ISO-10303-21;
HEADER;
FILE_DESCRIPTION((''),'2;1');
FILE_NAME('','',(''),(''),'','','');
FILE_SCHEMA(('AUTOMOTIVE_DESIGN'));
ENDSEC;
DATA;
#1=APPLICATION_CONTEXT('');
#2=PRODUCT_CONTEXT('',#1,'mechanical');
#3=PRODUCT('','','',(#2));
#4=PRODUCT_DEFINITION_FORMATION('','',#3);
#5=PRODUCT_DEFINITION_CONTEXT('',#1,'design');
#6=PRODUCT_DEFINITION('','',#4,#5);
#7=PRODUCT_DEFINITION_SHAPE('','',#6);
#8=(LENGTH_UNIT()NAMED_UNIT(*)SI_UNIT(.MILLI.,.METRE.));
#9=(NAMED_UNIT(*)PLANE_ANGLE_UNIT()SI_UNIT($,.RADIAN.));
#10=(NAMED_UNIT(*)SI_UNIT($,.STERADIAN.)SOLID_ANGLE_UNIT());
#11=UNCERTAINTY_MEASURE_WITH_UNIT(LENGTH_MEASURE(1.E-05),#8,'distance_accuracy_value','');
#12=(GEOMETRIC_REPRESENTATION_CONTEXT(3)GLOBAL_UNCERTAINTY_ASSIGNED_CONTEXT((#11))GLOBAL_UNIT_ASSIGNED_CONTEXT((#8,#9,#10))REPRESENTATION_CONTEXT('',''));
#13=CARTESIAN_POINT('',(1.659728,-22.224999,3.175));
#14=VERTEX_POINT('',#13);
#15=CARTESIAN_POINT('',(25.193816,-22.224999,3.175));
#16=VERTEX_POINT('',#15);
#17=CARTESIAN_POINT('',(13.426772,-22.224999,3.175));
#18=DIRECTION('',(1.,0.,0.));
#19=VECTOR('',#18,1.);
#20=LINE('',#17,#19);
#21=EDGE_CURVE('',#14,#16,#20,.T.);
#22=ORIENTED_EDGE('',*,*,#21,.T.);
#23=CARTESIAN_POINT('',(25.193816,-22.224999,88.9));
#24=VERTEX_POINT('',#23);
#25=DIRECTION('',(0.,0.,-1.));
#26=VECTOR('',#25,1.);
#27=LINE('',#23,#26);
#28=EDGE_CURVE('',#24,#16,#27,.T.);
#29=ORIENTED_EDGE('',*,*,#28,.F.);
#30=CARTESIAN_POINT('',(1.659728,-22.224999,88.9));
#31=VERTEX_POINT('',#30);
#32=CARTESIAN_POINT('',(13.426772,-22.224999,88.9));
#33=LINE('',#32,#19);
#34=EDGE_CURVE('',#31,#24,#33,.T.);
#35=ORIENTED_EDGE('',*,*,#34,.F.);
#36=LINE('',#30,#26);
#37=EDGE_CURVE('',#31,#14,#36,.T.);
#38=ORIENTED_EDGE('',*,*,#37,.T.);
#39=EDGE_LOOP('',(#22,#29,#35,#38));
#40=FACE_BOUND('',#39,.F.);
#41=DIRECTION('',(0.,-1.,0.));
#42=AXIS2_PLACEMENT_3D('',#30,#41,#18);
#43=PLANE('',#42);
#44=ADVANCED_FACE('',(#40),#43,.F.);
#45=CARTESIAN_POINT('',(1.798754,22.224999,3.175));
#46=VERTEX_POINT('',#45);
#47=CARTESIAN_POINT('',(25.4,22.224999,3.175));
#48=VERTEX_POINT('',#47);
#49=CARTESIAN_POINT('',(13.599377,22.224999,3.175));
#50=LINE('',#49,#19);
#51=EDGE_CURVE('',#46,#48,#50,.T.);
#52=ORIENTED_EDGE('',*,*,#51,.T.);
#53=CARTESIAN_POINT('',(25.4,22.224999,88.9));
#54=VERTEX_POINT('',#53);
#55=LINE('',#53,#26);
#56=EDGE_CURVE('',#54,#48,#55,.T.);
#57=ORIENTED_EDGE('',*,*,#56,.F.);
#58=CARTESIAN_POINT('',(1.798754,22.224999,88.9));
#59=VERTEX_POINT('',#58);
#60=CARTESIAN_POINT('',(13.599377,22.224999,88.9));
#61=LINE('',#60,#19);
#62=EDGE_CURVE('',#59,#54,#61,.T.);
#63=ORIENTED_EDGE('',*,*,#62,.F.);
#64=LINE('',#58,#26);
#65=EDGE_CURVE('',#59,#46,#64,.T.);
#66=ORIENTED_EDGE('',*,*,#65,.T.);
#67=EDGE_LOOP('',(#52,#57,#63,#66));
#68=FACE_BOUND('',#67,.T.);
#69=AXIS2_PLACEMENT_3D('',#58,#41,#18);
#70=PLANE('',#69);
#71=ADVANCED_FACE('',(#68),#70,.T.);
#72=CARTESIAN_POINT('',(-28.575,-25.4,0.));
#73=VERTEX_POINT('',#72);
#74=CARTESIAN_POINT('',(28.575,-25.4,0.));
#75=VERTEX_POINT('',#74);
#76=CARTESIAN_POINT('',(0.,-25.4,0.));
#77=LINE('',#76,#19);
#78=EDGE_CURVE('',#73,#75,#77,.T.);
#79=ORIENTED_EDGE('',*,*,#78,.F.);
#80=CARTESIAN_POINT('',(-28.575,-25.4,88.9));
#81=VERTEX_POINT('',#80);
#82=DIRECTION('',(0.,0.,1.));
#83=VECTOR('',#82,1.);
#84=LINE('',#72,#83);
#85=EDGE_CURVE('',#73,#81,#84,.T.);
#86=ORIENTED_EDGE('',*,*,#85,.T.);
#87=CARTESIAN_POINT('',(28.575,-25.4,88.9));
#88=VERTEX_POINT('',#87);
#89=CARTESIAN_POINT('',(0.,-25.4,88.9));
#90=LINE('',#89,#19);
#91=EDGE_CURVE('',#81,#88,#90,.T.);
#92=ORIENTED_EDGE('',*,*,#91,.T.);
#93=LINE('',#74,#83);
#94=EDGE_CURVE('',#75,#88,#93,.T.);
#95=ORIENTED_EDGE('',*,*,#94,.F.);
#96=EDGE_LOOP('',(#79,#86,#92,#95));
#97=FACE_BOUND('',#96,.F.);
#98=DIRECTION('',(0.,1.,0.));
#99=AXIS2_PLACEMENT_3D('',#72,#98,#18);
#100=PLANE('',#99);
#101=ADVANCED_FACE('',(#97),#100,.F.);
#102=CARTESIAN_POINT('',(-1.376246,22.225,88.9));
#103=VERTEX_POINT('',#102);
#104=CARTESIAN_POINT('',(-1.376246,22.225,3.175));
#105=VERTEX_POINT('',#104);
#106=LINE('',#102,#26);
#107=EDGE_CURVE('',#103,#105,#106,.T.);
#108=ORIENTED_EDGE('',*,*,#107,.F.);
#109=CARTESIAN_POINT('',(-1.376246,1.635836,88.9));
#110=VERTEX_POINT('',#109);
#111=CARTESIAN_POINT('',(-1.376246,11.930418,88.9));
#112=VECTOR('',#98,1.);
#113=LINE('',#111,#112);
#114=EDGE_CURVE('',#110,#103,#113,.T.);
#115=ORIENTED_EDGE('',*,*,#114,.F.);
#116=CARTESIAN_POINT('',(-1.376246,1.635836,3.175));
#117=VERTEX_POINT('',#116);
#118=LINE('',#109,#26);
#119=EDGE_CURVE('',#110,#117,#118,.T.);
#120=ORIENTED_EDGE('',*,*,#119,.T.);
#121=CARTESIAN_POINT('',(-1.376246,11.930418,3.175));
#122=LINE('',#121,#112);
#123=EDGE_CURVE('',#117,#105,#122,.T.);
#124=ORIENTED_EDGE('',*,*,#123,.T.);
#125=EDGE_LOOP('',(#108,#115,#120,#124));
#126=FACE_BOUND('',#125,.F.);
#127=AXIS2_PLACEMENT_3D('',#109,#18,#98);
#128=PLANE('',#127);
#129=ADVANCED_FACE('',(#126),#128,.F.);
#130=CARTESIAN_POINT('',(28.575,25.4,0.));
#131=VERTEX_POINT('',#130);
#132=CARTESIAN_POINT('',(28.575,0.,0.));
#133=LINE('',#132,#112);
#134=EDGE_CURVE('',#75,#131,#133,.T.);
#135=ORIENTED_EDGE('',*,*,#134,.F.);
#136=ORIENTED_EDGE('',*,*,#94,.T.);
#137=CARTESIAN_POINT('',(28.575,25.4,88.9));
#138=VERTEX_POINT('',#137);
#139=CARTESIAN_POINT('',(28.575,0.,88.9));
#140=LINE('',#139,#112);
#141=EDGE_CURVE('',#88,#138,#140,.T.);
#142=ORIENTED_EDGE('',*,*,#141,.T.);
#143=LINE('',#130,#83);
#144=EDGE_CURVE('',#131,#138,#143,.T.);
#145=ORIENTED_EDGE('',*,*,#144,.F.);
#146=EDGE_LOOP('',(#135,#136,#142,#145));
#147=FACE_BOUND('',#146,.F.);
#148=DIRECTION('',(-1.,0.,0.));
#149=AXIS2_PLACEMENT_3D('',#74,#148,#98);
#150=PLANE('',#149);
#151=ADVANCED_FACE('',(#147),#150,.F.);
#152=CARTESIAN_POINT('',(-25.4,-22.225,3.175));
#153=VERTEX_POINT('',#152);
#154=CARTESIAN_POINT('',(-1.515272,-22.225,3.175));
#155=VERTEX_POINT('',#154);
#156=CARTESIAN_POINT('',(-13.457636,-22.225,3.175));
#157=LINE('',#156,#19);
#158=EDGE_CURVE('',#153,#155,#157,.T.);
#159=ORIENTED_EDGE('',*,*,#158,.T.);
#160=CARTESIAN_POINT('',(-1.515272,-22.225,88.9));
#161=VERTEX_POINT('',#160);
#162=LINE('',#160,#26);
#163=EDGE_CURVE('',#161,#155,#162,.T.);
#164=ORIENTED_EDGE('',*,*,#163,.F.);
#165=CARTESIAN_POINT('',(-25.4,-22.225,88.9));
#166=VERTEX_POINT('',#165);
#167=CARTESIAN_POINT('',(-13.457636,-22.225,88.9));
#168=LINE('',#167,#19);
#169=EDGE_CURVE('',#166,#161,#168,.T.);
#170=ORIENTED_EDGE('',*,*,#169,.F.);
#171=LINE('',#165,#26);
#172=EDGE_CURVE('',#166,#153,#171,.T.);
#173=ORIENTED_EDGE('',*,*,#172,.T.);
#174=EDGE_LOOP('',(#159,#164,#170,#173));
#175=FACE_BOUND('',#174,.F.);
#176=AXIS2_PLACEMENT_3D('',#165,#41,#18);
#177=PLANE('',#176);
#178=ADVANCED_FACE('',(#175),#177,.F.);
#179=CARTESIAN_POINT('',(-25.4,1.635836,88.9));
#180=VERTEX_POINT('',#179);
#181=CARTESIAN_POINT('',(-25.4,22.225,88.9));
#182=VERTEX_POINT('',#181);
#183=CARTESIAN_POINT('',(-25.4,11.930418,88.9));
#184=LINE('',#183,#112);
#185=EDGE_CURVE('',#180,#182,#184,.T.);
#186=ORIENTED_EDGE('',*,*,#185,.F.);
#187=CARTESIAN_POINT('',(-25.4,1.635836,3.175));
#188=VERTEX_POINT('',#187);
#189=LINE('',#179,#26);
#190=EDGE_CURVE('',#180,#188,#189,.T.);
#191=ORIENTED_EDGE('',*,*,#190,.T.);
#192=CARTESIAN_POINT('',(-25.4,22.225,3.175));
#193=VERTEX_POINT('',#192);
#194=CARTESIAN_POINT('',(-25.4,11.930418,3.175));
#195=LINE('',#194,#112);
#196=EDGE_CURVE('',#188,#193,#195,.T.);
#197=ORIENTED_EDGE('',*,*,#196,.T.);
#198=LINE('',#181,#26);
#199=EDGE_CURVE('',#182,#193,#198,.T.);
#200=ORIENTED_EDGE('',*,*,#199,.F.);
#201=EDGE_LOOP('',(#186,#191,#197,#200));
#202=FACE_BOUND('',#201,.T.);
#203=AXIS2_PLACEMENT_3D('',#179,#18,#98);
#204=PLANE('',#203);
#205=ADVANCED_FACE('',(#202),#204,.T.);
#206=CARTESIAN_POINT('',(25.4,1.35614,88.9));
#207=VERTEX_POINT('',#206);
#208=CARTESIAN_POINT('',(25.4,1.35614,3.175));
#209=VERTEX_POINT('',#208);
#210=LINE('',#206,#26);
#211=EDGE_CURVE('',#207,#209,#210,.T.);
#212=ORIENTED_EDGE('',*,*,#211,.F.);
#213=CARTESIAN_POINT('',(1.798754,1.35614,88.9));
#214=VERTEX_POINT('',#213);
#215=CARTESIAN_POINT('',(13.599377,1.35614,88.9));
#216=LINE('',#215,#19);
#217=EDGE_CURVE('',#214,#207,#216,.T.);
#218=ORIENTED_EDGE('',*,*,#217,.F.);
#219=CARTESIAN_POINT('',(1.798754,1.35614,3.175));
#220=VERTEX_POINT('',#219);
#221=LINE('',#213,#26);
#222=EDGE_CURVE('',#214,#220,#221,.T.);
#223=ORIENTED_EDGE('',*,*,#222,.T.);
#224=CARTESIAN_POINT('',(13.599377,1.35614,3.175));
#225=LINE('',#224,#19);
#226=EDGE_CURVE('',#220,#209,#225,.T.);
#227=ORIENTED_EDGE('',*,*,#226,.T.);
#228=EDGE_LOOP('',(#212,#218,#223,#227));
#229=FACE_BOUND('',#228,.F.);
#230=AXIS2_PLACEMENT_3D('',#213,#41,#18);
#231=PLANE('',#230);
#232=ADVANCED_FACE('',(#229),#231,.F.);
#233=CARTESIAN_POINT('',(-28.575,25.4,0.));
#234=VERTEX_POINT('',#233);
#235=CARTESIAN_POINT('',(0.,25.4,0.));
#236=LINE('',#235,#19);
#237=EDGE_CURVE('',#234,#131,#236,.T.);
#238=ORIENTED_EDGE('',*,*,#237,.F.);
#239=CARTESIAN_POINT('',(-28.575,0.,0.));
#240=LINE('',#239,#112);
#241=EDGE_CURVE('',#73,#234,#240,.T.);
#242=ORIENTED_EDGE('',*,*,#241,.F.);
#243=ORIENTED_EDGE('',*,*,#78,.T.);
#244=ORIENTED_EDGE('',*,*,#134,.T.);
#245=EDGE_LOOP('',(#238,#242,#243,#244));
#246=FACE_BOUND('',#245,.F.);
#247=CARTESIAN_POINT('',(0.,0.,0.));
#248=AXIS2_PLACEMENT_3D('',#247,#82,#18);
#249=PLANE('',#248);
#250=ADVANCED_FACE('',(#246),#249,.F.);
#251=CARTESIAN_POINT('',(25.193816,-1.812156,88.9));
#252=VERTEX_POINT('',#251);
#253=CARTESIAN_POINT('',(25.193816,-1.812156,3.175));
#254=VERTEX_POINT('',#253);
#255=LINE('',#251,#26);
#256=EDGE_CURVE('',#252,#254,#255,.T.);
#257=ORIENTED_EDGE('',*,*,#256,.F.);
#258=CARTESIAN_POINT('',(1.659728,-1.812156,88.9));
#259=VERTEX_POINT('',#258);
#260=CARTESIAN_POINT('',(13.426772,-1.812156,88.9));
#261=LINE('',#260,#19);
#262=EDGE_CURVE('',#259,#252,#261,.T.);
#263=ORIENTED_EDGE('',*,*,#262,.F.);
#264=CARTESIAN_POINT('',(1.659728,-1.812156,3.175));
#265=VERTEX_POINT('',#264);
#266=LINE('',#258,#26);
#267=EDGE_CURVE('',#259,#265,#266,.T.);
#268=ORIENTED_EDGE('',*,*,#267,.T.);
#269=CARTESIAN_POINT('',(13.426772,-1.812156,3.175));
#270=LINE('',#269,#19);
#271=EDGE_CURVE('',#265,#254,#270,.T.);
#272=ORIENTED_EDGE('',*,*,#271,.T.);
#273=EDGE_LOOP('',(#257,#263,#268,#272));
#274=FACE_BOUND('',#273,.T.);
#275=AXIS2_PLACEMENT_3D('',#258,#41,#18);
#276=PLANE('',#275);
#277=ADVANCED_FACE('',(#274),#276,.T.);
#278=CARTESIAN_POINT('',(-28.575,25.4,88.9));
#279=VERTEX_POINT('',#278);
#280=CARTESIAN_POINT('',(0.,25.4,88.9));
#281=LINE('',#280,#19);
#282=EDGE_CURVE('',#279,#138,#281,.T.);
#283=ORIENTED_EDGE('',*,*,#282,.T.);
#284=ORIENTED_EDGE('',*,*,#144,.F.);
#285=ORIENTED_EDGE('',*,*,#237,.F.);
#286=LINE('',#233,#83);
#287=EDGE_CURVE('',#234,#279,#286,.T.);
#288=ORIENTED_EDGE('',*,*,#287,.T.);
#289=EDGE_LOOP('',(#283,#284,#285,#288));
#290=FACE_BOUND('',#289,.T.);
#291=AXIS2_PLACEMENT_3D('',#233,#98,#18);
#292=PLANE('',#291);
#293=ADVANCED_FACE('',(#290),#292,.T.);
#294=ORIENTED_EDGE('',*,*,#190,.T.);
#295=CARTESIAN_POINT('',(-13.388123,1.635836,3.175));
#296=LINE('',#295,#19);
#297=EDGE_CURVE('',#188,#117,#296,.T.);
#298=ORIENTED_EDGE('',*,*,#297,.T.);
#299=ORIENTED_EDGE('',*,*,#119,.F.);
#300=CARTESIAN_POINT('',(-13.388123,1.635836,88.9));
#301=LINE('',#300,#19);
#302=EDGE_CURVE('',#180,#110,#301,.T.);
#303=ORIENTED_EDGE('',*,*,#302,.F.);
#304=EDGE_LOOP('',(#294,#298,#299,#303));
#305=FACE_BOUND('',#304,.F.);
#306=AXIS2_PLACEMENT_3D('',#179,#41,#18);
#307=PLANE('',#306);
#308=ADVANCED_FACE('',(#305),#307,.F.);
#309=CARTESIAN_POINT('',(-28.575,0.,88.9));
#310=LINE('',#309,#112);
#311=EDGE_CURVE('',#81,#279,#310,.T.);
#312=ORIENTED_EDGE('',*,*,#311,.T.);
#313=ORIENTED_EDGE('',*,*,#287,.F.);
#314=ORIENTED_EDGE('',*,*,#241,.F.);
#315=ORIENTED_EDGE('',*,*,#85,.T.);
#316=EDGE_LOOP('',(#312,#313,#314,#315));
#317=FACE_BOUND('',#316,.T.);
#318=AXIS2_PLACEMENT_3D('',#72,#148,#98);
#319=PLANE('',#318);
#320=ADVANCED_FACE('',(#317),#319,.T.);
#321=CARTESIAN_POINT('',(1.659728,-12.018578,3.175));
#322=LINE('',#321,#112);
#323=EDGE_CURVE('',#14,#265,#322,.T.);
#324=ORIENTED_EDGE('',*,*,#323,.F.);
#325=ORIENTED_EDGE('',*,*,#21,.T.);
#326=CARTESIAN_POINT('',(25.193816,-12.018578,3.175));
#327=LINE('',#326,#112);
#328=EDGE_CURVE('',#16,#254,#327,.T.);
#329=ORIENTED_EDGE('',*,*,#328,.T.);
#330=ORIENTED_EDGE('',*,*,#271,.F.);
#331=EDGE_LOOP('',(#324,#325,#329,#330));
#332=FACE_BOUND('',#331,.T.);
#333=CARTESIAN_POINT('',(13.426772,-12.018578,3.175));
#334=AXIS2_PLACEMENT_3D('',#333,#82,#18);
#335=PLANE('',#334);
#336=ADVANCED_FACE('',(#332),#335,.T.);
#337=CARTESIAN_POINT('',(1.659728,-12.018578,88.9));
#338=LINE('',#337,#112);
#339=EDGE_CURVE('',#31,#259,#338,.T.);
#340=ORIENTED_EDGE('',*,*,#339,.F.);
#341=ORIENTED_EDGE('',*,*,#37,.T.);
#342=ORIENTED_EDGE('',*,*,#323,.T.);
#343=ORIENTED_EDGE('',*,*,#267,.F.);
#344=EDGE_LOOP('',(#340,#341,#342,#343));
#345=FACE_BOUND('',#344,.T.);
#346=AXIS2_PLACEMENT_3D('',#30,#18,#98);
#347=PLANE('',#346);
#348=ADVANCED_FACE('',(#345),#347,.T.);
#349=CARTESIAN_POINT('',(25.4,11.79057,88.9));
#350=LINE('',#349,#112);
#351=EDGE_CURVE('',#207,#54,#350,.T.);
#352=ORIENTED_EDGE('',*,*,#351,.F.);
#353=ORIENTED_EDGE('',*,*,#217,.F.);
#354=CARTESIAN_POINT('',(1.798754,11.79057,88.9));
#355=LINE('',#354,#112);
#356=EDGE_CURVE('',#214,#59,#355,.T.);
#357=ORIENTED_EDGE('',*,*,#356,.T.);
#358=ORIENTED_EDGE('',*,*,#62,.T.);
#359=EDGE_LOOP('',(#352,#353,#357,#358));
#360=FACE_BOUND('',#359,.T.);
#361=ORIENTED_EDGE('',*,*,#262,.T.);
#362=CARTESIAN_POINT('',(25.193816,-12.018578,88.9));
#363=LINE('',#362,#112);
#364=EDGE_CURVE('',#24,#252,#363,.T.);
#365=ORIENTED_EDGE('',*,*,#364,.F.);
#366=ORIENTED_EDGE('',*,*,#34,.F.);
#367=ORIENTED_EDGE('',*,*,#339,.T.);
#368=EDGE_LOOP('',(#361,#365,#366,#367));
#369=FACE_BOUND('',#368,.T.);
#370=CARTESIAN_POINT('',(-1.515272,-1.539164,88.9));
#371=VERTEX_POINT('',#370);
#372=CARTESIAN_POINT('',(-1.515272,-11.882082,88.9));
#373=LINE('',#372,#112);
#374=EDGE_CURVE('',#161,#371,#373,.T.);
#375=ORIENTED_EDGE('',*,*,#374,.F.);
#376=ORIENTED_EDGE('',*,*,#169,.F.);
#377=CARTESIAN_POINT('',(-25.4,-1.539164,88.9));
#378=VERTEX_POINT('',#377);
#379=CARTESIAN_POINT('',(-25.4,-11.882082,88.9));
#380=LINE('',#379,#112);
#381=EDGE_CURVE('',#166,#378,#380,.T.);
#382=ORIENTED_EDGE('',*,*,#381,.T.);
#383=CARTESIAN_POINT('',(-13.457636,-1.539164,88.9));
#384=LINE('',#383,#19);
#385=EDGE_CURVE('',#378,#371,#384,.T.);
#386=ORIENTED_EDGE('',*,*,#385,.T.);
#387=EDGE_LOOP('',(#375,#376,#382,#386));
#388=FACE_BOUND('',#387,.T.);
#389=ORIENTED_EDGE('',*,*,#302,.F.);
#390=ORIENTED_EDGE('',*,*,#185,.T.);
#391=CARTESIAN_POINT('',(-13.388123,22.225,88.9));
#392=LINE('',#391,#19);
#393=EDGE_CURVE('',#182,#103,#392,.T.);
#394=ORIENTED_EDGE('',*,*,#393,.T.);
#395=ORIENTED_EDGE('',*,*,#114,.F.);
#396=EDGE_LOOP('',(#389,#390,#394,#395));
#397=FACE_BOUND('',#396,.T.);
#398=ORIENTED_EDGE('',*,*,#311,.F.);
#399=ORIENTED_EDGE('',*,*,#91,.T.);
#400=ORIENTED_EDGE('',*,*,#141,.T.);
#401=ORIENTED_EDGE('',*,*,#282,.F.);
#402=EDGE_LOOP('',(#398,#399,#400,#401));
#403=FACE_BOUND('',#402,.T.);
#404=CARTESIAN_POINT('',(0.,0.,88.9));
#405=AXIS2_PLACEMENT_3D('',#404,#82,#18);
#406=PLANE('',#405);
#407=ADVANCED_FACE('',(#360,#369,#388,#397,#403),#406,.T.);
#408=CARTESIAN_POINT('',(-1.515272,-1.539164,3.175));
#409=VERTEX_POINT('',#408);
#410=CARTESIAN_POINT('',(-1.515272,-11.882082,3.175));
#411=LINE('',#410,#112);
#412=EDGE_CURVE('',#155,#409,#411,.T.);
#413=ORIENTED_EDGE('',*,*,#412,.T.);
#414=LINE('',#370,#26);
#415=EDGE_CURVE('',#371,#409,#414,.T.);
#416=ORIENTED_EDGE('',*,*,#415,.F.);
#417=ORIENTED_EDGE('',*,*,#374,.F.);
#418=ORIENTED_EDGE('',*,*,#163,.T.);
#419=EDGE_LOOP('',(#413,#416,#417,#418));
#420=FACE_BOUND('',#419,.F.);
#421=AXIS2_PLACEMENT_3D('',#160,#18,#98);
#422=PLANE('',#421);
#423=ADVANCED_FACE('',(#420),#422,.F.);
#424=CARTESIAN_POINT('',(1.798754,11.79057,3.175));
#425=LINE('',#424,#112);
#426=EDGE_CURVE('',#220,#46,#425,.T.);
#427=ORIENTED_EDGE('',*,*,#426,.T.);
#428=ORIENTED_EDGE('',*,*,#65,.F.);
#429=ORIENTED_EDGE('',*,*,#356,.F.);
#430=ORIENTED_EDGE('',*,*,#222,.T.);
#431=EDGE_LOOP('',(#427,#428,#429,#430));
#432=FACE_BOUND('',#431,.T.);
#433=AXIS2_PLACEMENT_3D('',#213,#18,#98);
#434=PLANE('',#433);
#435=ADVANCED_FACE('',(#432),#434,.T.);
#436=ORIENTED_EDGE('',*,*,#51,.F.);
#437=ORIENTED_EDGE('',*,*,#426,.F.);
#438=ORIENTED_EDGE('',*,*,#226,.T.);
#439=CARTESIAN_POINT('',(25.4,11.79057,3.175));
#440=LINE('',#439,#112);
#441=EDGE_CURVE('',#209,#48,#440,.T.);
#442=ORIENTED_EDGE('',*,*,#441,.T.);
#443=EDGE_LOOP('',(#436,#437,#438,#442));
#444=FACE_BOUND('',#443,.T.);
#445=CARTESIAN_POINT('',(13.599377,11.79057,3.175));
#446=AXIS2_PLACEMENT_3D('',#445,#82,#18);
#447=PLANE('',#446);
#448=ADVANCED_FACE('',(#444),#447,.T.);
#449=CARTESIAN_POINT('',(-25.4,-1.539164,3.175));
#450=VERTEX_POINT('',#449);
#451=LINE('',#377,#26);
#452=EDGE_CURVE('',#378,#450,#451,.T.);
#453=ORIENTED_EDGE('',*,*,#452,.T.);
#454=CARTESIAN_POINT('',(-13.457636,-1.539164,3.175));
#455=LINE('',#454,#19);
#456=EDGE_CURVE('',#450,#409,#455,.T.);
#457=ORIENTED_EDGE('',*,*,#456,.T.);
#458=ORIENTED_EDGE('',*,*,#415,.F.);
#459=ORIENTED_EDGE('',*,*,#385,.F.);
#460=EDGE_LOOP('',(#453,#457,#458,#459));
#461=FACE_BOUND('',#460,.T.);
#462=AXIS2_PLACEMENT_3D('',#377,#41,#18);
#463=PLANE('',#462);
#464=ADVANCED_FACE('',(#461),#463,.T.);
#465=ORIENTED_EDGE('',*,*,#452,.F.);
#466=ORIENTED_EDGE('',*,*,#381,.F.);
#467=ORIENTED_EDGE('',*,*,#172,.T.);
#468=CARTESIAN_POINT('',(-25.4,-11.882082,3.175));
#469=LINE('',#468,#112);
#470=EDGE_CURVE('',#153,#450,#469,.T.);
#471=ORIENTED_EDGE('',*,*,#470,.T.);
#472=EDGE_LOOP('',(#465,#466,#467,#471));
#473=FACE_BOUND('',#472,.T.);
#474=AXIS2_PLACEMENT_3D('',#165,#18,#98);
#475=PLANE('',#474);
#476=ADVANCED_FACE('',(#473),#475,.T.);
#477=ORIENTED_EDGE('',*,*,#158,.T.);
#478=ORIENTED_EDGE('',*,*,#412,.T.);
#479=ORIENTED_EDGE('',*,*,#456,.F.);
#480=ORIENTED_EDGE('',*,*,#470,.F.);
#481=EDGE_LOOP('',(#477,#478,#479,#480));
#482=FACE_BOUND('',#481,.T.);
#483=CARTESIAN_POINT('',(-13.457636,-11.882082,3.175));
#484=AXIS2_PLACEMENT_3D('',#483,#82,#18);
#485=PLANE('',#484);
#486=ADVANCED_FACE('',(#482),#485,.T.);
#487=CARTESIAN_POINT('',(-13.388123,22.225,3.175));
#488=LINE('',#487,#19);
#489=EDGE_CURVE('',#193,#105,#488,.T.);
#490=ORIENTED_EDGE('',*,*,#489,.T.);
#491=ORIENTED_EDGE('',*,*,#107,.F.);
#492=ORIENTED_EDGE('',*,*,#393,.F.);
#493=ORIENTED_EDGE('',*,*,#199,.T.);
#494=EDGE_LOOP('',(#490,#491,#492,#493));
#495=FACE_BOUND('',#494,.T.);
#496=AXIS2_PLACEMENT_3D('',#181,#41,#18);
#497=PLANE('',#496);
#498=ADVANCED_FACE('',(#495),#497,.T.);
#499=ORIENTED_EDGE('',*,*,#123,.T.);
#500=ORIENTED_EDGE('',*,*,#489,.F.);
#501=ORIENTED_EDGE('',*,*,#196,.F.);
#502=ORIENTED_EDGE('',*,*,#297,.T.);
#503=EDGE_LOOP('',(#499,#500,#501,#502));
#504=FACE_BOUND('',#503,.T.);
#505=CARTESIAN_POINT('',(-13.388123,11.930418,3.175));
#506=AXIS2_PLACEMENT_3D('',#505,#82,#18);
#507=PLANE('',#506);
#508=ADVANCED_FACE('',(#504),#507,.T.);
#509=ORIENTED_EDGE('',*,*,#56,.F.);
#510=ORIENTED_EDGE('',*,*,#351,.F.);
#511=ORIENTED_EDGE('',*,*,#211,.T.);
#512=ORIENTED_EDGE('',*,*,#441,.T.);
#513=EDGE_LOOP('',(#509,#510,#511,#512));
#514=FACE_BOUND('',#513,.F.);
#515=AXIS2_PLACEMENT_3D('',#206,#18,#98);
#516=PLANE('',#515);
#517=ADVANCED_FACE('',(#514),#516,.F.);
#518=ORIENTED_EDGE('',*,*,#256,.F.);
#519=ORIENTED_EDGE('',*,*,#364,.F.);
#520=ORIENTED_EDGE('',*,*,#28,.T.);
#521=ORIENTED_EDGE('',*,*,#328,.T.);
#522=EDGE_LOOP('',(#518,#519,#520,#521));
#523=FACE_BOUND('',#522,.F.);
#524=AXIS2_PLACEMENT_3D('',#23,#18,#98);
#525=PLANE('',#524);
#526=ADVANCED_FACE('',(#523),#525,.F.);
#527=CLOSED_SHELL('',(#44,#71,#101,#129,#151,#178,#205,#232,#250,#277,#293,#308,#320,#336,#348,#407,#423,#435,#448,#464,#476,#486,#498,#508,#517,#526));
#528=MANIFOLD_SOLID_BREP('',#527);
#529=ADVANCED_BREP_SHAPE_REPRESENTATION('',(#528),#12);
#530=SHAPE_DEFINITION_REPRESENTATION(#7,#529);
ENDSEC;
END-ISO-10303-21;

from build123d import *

# Parameters (mm, degrees)
F0_W     = 57.15
F0_H     = 50.8
F1_DEPTH = 88.9
F2_W     = 24.023754
F2_H     = 20.589164
F3_DEPTH = 85.725
F2_W_2   = 23.884728
F2_H_2   = 20.685836
F4_DEPTH = 85.725
F2_W_3   = 23.601246
F2_H_3   = 20.868859
F5_DEPTH = 85.725
F2_W_4   = 23.534088
F2_H_4   = 20.412843
F6_DEPTH = 85.725


with BuildPart() as f1:
    # F0 (on Top) → F1 (new body)
    with BuildSketch(Plane.XY):
        Rectangle(F0_W, F0_H)
    extrude(amount=F1_DEPTH)

    # F2 (on face) → F3 (cut)
    with BuildSketch(Plane.XY.offset(88.9)):
        with Locations((-13.388123, 11.930418)):
            Rectangle(F2_W, F2_H)
    extrude(amount=-F3_DEPTH, mode=Mode.SUBTRACT)

    # F2 (on face) → F4 (cut)
    with BuildSketch(Plane.XY.offset(88.9)):
        with Locations((-13.457636, -11.882082)):
            Rectangle(F2_W_2, F2_H_2)
    extrude(amount=-F4_DEPTH, mode=Mode.SUBTRACT)

    # F2 (on face) → F5 (cut)
    with BuildSketch(Plane.XY.offset(88.9)):
        with Locations((13.599377, 11.79057)):
            Rectangle(F2_W_3, F2_H_3)
    extrude(amount=-F5_DEPTH, mode=Mode.SUBTRACT)

    # F2 (on face) → F6 (cut)
    with BuildSketch(Plane.XY.offset(88.9)):
        with Locations((13.426772, -12.018578)):
            Rectangle(F2_W_4, F2_H_4)
    extrude(amount=-F6_DEPTH, mode=Mode.SUBTRACT)


solid = f1.part
